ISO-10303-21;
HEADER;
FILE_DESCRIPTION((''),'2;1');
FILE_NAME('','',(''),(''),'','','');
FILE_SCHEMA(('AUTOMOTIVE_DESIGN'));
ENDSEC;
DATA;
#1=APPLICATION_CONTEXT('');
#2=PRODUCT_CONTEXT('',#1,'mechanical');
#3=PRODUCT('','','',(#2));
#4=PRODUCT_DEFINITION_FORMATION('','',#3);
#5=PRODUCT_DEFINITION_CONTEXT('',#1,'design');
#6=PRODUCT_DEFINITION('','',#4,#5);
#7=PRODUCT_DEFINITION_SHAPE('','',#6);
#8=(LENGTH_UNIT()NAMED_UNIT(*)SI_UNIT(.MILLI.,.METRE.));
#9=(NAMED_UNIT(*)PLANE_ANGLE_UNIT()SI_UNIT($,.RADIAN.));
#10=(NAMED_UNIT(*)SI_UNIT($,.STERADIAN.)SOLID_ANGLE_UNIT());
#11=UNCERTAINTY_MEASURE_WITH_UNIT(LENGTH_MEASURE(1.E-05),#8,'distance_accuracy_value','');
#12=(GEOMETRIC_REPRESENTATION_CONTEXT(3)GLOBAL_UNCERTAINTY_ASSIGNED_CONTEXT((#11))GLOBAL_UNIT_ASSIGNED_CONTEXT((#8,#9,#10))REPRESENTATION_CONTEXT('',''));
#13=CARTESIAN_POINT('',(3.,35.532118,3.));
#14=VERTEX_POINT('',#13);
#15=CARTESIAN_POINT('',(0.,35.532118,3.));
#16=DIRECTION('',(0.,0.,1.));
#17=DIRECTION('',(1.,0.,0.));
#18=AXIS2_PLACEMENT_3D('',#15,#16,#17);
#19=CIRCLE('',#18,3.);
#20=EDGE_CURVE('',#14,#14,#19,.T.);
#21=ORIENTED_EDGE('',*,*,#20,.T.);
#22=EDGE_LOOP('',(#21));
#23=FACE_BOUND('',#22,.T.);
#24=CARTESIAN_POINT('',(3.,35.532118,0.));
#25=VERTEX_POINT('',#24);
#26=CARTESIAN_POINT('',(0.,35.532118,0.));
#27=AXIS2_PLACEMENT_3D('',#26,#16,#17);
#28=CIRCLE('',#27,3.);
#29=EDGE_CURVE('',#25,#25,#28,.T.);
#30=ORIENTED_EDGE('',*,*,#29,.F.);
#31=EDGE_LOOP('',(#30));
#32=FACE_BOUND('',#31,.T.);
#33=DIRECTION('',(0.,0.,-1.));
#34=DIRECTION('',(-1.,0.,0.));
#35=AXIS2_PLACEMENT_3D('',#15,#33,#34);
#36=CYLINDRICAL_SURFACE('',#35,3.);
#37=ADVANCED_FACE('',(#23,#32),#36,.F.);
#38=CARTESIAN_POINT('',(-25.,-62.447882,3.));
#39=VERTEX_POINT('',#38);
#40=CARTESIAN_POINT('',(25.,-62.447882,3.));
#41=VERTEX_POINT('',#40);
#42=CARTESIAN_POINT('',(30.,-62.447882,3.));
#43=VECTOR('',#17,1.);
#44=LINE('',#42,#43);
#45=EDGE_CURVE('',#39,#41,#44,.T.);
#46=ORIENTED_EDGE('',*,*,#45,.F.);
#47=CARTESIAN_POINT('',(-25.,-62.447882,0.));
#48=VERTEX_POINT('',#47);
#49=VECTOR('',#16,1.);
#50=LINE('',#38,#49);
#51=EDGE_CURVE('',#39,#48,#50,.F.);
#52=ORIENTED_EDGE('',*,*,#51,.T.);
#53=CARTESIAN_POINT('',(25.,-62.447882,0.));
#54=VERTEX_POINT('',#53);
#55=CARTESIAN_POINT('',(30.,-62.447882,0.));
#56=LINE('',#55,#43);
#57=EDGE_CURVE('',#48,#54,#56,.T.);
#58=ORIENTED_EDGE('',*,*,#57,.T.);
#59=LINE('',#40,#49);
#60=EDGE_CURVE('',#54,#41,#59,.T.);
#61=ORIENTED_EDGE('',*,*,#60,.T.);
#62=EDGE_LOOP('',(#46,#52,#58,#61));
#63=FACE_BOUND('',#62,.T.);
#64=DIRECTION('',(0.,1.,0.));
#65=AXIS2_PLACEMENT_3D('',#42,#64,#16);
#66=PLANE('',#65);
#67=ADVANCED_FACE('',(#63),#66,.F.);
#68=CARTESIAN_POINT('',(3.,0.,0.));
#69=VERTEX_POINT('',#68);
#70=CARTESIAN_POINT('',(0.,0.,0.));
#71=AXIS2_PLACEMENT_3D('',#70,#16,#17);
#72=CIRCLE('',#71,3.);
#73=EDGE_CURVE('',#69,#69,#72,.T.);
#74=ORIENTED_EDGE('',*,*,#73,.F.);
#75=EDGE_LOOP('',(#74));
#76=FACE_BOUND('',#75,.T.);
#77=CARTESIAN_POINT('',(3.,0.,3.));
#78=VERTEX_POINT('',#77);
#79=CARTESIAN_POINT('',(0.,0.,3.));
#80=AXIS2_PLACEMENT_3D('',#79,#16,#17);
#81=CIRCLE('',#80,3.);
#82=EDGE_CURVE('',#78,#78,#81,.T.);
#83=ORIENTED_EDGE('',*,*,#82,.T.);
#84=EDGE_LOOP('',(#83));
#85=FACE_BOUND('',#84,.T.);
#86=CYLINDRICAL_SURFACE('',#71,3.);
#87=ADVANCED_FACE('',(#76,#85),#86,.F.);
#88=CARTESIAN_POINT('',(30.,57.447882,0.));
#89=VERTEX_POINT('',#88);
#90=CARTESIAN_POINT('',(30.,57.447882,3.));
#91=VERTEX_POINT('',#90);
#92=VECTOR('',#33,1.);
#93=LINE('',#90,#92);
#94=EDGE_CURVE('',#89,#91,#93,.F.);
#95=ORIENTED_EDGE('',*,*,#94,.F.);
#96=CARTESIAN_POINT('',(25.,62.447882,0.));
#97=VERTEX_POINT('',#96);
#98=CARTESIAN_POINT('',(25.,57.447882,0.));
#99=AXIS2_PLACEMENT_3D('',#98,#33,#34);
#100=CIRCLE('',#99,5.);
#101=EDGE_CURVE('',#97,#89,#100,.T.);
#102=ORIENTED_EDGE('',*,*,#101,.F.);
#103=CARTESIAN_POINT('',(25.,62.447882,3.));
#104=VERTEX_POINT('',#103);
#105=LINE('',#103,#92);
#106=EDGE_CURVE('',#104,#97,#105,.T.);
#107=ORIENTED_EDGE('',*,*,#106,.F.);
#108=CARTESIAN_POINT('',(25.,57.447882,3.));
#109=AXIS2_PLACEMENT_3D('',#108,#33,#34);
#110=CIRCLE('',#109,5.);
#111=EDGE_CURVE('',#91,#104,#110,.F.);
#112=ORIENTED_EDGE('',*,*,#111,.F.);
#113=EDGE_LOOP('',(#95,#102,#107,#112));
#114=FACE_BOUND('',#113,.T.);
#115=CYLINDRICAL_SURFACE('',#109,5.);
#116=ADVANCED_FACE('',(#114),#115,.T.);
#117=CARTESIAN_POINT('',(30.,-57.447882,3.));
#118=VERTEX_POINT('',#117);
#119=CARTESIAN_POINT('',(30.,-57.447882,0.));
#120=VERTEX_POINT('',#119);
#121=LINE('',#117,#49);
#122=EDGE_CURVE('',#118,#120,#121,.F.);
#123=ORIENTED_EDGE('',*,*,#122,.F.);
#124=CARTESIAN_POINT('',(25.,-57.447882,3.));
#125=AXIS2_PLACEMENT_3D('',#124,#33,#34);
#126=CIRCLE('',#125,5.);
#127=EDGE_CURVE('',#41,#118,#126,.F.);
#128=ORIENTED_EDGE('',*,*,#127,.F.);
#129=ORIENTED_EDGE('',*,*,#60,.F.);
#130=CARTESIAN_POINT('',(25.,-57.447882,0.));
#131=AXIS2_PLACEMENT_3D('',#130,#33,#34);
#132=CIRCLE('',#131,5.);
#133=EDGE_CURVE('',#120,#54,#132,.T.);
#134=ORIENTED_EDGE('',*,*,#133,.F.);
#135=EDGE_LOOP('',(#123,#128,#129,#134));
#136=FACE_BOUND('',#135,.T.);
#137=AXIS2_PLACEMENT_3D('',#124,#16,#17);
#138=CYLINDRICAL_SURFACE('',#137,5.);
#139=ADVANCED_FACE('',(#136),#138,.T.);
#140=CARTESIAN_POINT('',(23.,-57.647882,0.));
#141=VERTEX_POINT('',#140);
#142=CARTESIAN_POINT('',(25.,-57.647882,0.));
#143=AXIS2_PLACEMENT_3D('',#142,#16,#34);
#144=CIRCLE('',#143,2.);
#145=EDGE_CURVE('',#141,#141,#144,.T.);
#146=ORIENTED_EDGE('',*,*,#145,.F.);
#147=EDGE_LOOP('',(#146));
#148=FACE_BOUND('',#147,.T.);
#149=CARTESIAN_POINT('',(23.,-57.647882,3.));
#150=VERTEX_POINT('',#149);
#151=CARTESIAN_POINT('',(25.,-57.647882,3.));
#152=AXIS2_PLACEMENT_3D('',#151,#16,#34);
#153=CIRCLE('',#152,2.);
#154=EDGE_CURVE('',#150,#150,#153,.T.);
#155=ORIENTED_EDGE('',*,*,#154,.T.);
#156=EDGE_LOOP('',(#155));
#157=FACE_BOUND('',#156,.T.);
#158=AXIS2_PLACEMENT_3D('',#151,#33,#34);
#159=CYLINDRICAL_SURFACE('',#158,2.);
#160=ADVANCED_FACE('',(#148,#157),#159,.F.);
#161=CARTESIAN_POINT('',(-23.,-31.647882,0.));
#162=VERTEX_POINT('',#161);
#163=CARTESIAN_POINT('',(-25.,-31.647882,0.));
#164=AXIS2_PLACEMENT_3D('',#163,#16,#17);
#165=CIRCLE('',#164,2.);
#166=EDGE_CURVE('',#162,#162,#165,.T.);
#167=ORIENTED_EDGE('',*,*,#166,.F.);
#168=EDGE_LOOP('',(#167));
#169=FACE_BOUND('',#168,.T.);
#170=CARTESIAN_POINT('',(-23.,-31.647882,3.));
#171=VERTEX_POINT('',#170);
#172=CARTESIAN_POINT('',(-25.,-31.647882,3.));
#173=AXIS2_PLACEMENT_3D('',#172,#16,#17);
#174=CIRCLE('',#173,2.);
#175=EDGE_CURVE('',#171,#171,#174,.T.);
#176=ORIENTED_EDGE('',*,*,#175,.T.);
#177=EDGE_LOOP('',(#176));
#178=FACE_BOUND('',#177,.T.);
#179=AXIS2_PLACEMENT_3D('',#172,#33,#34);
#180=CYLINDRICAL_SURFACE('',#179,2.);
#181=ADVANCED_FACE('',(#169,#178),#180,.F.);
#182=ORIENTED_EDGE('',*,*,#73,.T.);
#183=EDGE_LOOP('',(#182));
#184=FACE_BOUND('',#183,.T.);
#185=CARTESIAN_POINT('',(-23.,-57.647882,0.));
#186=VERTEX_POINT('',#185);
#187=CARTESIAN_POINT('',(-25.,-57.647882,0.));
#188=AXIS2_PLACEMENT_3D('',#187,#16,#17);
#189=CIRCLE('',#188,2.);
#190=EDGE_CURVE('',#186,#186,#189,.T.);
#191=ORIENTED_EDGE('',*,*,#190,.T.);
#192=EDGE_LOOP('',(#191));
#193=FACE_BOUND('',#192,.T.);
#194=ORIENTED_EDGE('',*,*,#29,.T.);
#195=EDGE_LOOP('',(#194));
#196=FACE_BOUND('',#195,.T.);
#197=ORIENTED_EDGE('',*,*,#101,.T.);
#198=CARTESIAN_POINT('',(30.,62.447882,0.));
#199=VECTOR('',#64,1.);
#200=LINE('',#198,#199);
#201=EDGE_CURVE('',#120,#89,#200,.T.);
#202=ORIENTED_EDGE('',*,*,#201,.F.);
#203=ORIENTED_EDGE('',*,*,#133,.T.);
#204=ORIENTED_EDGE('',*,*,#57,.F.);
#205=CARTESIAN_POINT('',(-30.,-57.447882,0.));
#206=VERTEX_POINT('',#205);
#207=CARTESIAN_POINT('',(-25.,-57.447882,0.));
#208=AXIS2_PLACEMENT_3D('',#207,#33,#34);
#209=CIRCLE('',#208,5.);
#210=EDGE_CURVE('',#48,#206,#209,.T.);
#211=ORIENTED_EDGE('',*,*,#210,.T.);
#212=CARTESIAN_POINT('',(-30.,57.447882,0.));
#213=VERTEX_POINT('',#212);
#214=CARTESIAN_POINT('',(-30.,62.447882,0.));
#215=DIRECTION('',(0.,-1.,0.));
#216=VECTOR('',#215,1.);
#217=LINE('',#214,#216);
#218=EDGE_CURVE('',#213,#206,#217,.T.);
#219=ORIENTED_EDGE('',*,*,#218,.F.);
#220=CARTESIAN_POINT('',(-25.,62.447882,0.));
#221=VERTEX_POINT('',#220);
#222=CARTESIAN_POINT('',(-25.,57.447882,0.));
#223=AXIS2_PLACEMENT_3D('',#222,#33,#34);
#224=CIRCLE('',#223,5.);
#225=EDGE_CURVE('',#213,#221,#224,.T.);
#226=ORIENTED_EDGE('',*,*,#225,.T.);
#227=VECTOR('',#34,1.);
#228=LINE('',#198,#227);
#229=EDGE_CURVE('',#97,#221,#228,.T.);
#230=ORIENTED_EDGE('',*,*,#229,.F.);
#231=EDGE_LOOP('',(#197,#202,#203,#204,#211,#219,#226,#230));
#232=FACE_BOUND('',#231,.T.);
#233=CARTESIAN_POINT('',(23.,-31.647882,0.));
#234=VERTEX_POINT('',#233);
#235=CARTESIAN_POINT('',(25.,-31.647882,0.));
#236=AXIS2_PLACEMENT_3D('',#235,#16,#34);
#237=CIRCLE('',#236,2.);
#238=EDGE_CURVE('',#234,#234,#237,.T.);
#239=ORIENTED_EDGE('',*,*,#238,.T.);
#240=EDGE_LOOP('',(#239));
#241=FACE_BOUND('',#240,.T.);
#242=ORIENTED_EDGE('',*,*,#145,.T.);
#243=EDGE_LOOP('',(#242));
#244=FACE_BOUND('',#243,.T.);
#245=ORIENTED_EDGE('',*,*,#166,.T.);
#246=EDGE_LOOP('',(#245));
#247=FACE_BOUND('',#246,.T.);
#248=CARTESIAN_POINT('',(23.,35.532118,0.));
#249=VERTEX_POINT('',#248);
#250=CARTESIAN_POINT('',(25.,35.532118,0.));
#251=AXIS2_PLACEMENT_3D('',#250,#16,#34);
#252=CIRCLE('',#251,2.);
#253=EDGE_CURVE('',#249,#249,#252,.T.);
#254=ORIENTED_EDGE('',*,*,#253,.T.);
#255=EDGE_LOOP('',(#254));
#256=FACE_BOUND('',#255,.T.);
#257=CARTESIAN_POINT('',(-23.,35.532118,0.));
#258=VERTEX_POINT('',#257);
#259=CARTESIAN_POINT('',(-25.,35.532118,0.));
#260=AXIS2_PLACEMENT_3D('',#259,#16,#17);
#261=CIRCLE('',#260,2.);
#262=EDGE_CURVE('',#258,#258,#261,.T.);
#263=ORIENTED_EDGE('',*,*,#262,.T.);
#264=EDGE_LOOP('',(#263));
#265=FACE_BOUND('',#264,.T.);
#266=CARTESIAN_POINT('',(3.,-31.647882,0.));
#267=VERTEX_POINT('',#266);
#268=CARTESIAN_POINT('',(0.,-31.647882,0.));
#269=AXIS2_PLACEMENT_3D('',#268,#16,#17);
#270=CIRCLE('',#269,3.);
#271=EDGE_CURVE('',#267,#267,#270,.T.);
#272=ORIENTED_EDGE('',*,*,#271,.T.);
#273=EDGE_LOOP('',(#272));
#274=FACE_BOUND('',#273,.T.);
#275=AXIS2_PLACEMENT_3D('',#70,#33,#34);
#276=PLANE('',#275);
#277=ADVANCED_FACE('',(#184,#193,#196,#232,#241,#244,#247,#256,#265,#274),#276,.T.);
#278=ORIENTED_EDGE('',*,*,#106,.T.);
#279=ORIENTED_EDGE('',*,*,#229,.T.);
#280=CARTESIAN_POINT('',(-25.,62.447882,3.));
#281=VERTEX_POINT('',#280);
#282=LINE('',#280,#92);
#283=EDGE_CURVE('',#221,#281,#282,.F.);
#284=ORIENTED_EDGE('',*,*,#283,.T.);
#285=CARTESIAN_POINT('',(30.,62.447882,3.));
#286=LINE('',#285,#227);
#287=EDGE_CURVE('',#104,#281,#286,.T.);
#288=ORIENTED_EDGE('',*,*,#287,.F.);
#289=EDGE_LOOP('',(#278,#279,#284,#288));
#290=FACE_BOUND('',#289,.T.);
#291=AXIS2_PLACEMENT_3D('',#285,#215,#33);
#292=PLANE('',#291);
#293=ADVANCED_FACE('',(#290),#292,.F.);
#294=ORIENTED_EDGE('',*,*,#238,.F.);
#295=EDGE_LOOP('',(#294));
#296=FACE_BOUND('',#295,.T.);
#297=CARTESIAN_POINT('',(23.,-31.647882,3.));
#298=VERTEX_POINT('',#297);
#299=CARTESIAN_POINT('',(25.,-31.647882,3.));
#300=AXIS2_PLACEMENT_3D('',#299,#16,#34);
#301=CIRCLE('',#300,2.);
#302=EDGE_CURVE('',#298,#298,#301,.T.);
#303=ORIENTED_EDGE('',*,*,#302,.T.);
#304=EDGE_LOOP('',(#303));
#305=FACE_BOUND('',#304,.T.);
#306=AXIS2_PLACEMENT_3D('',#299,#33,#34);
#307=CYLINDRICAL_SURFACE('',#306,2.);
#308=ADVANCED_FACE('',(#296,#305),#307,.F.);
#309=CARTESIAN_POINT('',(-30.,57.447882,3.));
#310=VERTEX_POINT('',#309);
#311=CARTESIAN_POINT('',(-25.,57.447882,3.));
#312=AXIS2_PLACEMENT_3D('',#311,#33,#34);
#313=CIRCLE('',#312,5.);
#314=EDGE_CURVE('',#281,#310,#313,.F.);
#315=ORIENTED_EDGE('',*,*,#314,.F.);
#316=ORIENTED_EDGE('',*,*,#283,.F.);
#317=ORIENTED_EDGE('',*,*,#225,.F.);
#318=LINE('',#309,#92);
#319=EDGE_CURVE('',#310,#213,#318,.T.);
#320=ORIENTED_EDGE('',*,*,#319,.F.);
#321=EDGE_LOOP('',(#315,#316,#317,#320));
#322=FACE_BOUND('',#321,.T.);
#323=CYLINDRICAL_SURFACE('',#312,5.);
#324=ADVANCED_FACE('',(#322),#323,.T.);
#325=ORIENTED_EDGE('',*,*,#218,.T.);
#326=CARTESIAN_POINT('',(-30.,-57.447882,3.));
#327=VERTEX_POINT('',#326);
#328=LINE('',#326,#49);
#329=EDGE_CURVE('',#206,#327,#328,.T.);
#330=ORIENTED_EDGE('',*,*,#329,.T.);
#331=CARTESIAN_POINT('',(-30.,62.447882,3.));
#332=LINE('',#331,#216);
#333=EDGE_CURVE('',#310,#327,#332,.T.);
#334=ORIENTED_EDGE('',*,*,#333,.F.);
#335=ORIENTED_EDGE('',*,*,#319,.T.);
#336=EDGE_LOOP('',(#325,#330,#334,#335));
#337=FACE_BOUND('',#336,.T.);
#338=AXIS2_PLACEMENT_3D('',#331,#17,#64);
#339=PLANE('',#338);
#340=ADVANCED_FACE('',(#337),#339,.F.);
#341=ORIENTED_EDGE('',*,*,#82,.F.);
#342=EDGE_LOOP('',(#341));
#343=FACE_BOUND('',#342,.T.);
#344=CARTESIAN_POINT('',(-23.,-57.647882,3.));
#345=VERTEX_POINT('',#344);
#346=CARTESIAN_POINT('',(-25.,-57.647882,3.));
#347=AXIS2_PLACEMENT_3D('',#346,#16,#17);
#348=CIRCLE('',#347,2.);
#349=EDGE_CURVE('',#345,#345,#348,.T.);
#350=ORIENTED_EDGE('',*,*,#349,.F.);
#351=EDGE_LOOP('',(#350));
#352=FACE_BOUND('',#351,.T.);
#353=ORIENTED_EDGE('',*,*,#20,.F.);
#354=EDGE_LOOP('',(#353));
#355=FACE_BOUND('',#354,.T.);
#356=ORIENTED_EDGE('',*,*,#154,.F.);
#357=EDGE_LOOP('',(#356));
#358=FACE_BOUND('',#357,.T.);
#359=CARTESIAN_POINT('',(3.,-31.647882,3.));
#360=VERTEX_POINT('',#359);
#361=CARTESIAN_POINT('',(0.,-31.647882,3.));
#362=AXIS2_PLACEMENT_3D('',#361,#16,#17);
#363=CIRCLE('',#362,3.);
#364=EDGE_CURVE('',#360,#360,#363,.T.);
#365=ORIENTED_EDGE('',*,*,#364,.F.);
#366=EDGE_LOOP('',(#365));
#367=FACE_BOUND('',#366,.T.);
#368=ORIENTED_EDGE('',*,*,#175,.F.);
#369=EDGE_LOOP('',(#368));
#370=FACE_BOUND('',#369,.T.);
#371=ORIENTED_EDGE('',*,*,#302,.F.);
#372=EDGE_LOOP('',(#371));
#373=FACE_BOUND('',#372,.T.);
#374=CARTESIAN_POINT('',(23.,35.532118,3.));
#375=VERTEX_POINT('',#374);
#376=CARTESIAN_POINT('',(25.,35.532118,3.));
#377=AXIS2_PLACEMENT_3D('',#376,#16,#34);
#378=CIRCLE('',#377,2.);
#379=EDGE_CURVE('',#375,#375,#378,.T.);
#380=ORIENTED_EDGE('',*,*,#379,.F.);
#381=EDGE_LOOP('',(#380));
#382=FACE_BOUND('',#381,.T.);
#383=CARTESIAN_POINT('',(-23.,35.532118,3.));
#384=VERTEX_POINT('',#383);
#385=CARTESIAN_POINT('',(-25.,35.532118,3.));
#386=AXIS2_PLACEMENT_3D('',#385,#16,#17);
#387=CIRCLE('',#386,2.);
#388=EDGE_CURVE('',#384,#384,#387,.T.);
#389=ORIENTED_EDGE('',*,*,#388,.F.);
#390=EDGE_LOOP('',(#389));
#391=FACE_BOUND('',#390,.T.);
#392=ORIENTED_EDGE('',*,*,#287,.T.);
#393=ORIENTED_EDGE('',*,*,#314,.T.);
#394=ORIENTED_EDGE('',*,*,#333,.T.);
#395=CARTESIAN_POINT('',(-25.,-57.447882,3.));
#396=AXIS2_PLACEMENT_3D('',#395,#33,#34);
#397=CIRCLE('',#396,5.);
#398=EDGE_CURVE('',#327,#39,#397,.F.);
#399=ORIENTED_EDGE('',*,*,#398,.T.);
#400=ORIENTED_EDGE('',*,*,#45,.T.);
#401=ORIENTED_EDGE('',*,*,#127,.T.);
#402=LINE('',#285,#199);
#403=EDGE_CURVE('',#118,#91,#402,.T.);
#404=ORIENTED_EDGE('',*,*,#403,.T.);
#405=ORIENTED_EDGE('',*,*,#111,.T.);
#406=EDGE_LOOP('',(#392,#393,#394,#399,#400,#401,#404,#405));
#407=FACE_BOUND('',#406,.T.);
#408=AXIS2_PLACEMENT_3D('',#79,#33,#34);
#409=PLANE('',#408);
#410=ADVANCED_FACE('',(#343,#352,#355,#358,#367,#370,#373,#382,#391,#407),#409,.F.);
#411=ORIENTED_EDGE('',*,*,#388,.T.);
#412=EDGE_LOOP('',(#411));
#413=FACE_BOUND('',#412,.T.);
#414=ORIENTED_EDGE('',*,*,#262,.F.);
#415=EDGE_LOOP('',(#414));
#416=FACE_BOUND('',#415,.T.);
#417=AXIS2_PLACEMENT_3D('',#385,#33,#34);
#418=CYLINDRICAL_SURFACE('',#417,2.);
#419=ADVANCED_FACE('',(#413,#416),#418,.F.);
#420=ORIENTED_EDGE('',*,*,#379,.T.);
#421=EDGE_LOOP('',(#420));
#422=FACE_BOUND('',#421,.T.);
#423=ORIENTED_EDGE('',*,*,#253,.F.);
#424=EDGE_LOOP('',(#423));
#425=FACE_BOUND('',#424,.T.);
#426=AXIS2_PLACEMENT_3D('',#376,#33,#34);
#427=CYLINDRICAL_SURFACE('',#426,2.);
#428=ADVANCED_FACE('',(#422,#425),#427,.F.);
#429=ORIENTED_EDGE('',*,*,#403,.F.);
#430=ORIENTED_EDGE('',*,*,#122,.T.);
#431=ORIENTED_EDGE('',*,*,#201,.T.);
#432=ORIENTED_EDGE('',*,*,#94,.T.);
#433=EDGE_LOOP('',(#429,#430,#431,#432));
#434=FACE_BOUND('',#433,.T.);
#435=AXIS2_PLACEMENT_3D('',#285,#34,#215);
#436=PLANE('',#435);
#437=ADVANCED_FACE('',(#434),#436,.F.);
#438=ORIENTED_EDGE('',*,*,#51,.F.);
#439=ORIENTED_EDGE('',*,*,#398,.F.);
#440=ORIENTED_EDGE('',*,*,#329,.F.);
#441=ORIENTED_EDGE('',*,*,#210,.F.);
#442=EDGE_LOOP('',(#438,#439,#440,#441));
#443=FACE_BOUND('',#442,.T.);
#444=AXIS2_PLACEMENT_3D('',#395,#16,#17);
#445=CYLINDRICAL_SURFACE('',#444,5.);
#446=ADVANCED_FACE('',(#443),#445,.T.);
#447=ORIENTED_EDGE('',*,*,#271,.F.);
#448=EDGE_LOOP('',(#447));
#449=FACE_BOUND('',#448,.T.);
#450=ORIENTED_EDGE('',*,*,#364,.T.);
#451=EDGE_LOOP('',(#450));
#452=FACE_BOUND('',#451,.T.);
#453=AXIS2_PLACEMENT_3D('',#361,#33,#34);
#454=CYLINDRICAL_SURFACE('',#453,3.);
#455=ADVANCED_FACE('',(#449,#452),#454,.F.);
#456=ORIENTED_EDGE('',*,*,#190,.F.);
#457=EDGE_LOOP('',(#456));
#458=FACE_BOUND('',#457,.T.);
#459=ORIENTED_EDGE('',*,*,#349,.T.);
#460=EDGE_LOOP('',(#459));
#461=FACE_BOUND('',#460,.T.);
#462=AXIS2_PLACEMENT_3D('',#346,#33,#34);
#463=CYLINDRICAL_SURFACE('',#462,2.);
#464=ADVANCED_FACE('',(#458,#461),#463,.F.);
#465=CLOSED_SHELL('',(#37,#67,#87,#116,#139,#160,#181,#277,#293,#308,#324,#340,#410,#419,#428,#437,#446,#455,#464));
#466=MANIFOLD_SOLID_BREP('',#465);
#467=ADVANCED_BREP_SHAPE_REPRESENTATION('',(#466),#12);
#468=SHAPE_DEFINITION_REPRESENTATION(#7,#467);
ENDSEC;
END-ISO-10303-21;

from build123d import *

# Parameters (mm, degrees)
SKETCH_1_W          = 60
SKETCH_1_H          = 124.895763786
SKETCH_1_R          = 2
SKETCH_1_R_2        = 3
EXTRUDE_1_DEPTH     = 3
FILLET_2_R          = 5
FILLET_3_R          = 5
FILLET_4_R          = 5
FILLET_5_R          = 5
SKETCH_2_R          = 3
CUT_EXTRUDE_1_DEPTH = 3


with BuildPart() as part:
    # Эскиз1 → Бобышка-Вытянуть1 (new body)
    with BuildSketch(Plane.XY):
        Rectangle(SKETCH_1_W, SKETCH_1_H)
        with Locations((-25, -57.647881893)):
            Circle(SKETCH_1_R, mode=Mode.SUBTRACT)
        with Locations((-25, -31.647881893)):
            Circle(SKETCH_1_R, mode=Mode.SUBTRACT)
        with Locations((-25, 35.532118107)):
            Circle(SKETCH_1_R, mode=Mode.SUBTRACT)
        with Locations((0, -31.647881893)):
            Circle(SKETCH_1_R_2, mode=Mode.SUBTRACT)
        with Locations((0, 35.532118107)):
            Circle(SKETCH_1_R_2, mode=Mode.SUBTRACT)
        with Locations(Location((25, 35.532118107, 0), (0, 0, 180))):
            Circle(SKETCH_1_R, mode=Mode.SUBTRACT)
        with Locations(Location((25, -31.647881893, 0), (0, 0, 180))):
            Circle(SKETCH_1_R, mode=Mode.SUBTRACT)
        with Locations(Location((25, -57.647881893, 0), (0, 0, 180))):
            Circle(SKETCH_1_R, mode=Mode.SUBTRACT)
    extrude(amount=EXTRUDE_1_DEPTH)

    # Скругление2
    fillet_2_edges = [part.edges().sort_by_distance(p)[0] for p in [
        (-30, 62.447881893, 1.5),
    ]]
    fillet(fillet_2_edges, radius=FILLET_2_R)

    # Скругление3
    fillet_3_edges = [part.edges().sort_by_distance(p)[0] for p in [
        (30, 62.447881893, 1.5),
    ]]
    fillet(fillet_3_edges, radius=FILLET_3_R)

    # Скругление4
    fillet_4_edges = [part.edges().sort_by_distance(p)[0] for p in [
        (30, -62.447881893, 1.5),
    ]]
    fillet(fillet_4_edges, radius=FILLET_4_R)

    # Скругление5
    fillet_5_edges = [part.edges().sort_by_distance(p)[0] for p in [
        (-30, -62.447881893, 1.5),
    ]]
    fillet(fillet_5_edges, radius=FILLET_5_R)

    # Эскиз2 → Вырез-Вытянуть1 (cut)
    with BuildSketch(Plane.XY.offset(3)):
        Circle(SKETCH_2_R)
    extrude(amount=-CUT_EXTRUDE_1_DEPTH, mode=Mode.SUBTRACT)


solid = part.part
